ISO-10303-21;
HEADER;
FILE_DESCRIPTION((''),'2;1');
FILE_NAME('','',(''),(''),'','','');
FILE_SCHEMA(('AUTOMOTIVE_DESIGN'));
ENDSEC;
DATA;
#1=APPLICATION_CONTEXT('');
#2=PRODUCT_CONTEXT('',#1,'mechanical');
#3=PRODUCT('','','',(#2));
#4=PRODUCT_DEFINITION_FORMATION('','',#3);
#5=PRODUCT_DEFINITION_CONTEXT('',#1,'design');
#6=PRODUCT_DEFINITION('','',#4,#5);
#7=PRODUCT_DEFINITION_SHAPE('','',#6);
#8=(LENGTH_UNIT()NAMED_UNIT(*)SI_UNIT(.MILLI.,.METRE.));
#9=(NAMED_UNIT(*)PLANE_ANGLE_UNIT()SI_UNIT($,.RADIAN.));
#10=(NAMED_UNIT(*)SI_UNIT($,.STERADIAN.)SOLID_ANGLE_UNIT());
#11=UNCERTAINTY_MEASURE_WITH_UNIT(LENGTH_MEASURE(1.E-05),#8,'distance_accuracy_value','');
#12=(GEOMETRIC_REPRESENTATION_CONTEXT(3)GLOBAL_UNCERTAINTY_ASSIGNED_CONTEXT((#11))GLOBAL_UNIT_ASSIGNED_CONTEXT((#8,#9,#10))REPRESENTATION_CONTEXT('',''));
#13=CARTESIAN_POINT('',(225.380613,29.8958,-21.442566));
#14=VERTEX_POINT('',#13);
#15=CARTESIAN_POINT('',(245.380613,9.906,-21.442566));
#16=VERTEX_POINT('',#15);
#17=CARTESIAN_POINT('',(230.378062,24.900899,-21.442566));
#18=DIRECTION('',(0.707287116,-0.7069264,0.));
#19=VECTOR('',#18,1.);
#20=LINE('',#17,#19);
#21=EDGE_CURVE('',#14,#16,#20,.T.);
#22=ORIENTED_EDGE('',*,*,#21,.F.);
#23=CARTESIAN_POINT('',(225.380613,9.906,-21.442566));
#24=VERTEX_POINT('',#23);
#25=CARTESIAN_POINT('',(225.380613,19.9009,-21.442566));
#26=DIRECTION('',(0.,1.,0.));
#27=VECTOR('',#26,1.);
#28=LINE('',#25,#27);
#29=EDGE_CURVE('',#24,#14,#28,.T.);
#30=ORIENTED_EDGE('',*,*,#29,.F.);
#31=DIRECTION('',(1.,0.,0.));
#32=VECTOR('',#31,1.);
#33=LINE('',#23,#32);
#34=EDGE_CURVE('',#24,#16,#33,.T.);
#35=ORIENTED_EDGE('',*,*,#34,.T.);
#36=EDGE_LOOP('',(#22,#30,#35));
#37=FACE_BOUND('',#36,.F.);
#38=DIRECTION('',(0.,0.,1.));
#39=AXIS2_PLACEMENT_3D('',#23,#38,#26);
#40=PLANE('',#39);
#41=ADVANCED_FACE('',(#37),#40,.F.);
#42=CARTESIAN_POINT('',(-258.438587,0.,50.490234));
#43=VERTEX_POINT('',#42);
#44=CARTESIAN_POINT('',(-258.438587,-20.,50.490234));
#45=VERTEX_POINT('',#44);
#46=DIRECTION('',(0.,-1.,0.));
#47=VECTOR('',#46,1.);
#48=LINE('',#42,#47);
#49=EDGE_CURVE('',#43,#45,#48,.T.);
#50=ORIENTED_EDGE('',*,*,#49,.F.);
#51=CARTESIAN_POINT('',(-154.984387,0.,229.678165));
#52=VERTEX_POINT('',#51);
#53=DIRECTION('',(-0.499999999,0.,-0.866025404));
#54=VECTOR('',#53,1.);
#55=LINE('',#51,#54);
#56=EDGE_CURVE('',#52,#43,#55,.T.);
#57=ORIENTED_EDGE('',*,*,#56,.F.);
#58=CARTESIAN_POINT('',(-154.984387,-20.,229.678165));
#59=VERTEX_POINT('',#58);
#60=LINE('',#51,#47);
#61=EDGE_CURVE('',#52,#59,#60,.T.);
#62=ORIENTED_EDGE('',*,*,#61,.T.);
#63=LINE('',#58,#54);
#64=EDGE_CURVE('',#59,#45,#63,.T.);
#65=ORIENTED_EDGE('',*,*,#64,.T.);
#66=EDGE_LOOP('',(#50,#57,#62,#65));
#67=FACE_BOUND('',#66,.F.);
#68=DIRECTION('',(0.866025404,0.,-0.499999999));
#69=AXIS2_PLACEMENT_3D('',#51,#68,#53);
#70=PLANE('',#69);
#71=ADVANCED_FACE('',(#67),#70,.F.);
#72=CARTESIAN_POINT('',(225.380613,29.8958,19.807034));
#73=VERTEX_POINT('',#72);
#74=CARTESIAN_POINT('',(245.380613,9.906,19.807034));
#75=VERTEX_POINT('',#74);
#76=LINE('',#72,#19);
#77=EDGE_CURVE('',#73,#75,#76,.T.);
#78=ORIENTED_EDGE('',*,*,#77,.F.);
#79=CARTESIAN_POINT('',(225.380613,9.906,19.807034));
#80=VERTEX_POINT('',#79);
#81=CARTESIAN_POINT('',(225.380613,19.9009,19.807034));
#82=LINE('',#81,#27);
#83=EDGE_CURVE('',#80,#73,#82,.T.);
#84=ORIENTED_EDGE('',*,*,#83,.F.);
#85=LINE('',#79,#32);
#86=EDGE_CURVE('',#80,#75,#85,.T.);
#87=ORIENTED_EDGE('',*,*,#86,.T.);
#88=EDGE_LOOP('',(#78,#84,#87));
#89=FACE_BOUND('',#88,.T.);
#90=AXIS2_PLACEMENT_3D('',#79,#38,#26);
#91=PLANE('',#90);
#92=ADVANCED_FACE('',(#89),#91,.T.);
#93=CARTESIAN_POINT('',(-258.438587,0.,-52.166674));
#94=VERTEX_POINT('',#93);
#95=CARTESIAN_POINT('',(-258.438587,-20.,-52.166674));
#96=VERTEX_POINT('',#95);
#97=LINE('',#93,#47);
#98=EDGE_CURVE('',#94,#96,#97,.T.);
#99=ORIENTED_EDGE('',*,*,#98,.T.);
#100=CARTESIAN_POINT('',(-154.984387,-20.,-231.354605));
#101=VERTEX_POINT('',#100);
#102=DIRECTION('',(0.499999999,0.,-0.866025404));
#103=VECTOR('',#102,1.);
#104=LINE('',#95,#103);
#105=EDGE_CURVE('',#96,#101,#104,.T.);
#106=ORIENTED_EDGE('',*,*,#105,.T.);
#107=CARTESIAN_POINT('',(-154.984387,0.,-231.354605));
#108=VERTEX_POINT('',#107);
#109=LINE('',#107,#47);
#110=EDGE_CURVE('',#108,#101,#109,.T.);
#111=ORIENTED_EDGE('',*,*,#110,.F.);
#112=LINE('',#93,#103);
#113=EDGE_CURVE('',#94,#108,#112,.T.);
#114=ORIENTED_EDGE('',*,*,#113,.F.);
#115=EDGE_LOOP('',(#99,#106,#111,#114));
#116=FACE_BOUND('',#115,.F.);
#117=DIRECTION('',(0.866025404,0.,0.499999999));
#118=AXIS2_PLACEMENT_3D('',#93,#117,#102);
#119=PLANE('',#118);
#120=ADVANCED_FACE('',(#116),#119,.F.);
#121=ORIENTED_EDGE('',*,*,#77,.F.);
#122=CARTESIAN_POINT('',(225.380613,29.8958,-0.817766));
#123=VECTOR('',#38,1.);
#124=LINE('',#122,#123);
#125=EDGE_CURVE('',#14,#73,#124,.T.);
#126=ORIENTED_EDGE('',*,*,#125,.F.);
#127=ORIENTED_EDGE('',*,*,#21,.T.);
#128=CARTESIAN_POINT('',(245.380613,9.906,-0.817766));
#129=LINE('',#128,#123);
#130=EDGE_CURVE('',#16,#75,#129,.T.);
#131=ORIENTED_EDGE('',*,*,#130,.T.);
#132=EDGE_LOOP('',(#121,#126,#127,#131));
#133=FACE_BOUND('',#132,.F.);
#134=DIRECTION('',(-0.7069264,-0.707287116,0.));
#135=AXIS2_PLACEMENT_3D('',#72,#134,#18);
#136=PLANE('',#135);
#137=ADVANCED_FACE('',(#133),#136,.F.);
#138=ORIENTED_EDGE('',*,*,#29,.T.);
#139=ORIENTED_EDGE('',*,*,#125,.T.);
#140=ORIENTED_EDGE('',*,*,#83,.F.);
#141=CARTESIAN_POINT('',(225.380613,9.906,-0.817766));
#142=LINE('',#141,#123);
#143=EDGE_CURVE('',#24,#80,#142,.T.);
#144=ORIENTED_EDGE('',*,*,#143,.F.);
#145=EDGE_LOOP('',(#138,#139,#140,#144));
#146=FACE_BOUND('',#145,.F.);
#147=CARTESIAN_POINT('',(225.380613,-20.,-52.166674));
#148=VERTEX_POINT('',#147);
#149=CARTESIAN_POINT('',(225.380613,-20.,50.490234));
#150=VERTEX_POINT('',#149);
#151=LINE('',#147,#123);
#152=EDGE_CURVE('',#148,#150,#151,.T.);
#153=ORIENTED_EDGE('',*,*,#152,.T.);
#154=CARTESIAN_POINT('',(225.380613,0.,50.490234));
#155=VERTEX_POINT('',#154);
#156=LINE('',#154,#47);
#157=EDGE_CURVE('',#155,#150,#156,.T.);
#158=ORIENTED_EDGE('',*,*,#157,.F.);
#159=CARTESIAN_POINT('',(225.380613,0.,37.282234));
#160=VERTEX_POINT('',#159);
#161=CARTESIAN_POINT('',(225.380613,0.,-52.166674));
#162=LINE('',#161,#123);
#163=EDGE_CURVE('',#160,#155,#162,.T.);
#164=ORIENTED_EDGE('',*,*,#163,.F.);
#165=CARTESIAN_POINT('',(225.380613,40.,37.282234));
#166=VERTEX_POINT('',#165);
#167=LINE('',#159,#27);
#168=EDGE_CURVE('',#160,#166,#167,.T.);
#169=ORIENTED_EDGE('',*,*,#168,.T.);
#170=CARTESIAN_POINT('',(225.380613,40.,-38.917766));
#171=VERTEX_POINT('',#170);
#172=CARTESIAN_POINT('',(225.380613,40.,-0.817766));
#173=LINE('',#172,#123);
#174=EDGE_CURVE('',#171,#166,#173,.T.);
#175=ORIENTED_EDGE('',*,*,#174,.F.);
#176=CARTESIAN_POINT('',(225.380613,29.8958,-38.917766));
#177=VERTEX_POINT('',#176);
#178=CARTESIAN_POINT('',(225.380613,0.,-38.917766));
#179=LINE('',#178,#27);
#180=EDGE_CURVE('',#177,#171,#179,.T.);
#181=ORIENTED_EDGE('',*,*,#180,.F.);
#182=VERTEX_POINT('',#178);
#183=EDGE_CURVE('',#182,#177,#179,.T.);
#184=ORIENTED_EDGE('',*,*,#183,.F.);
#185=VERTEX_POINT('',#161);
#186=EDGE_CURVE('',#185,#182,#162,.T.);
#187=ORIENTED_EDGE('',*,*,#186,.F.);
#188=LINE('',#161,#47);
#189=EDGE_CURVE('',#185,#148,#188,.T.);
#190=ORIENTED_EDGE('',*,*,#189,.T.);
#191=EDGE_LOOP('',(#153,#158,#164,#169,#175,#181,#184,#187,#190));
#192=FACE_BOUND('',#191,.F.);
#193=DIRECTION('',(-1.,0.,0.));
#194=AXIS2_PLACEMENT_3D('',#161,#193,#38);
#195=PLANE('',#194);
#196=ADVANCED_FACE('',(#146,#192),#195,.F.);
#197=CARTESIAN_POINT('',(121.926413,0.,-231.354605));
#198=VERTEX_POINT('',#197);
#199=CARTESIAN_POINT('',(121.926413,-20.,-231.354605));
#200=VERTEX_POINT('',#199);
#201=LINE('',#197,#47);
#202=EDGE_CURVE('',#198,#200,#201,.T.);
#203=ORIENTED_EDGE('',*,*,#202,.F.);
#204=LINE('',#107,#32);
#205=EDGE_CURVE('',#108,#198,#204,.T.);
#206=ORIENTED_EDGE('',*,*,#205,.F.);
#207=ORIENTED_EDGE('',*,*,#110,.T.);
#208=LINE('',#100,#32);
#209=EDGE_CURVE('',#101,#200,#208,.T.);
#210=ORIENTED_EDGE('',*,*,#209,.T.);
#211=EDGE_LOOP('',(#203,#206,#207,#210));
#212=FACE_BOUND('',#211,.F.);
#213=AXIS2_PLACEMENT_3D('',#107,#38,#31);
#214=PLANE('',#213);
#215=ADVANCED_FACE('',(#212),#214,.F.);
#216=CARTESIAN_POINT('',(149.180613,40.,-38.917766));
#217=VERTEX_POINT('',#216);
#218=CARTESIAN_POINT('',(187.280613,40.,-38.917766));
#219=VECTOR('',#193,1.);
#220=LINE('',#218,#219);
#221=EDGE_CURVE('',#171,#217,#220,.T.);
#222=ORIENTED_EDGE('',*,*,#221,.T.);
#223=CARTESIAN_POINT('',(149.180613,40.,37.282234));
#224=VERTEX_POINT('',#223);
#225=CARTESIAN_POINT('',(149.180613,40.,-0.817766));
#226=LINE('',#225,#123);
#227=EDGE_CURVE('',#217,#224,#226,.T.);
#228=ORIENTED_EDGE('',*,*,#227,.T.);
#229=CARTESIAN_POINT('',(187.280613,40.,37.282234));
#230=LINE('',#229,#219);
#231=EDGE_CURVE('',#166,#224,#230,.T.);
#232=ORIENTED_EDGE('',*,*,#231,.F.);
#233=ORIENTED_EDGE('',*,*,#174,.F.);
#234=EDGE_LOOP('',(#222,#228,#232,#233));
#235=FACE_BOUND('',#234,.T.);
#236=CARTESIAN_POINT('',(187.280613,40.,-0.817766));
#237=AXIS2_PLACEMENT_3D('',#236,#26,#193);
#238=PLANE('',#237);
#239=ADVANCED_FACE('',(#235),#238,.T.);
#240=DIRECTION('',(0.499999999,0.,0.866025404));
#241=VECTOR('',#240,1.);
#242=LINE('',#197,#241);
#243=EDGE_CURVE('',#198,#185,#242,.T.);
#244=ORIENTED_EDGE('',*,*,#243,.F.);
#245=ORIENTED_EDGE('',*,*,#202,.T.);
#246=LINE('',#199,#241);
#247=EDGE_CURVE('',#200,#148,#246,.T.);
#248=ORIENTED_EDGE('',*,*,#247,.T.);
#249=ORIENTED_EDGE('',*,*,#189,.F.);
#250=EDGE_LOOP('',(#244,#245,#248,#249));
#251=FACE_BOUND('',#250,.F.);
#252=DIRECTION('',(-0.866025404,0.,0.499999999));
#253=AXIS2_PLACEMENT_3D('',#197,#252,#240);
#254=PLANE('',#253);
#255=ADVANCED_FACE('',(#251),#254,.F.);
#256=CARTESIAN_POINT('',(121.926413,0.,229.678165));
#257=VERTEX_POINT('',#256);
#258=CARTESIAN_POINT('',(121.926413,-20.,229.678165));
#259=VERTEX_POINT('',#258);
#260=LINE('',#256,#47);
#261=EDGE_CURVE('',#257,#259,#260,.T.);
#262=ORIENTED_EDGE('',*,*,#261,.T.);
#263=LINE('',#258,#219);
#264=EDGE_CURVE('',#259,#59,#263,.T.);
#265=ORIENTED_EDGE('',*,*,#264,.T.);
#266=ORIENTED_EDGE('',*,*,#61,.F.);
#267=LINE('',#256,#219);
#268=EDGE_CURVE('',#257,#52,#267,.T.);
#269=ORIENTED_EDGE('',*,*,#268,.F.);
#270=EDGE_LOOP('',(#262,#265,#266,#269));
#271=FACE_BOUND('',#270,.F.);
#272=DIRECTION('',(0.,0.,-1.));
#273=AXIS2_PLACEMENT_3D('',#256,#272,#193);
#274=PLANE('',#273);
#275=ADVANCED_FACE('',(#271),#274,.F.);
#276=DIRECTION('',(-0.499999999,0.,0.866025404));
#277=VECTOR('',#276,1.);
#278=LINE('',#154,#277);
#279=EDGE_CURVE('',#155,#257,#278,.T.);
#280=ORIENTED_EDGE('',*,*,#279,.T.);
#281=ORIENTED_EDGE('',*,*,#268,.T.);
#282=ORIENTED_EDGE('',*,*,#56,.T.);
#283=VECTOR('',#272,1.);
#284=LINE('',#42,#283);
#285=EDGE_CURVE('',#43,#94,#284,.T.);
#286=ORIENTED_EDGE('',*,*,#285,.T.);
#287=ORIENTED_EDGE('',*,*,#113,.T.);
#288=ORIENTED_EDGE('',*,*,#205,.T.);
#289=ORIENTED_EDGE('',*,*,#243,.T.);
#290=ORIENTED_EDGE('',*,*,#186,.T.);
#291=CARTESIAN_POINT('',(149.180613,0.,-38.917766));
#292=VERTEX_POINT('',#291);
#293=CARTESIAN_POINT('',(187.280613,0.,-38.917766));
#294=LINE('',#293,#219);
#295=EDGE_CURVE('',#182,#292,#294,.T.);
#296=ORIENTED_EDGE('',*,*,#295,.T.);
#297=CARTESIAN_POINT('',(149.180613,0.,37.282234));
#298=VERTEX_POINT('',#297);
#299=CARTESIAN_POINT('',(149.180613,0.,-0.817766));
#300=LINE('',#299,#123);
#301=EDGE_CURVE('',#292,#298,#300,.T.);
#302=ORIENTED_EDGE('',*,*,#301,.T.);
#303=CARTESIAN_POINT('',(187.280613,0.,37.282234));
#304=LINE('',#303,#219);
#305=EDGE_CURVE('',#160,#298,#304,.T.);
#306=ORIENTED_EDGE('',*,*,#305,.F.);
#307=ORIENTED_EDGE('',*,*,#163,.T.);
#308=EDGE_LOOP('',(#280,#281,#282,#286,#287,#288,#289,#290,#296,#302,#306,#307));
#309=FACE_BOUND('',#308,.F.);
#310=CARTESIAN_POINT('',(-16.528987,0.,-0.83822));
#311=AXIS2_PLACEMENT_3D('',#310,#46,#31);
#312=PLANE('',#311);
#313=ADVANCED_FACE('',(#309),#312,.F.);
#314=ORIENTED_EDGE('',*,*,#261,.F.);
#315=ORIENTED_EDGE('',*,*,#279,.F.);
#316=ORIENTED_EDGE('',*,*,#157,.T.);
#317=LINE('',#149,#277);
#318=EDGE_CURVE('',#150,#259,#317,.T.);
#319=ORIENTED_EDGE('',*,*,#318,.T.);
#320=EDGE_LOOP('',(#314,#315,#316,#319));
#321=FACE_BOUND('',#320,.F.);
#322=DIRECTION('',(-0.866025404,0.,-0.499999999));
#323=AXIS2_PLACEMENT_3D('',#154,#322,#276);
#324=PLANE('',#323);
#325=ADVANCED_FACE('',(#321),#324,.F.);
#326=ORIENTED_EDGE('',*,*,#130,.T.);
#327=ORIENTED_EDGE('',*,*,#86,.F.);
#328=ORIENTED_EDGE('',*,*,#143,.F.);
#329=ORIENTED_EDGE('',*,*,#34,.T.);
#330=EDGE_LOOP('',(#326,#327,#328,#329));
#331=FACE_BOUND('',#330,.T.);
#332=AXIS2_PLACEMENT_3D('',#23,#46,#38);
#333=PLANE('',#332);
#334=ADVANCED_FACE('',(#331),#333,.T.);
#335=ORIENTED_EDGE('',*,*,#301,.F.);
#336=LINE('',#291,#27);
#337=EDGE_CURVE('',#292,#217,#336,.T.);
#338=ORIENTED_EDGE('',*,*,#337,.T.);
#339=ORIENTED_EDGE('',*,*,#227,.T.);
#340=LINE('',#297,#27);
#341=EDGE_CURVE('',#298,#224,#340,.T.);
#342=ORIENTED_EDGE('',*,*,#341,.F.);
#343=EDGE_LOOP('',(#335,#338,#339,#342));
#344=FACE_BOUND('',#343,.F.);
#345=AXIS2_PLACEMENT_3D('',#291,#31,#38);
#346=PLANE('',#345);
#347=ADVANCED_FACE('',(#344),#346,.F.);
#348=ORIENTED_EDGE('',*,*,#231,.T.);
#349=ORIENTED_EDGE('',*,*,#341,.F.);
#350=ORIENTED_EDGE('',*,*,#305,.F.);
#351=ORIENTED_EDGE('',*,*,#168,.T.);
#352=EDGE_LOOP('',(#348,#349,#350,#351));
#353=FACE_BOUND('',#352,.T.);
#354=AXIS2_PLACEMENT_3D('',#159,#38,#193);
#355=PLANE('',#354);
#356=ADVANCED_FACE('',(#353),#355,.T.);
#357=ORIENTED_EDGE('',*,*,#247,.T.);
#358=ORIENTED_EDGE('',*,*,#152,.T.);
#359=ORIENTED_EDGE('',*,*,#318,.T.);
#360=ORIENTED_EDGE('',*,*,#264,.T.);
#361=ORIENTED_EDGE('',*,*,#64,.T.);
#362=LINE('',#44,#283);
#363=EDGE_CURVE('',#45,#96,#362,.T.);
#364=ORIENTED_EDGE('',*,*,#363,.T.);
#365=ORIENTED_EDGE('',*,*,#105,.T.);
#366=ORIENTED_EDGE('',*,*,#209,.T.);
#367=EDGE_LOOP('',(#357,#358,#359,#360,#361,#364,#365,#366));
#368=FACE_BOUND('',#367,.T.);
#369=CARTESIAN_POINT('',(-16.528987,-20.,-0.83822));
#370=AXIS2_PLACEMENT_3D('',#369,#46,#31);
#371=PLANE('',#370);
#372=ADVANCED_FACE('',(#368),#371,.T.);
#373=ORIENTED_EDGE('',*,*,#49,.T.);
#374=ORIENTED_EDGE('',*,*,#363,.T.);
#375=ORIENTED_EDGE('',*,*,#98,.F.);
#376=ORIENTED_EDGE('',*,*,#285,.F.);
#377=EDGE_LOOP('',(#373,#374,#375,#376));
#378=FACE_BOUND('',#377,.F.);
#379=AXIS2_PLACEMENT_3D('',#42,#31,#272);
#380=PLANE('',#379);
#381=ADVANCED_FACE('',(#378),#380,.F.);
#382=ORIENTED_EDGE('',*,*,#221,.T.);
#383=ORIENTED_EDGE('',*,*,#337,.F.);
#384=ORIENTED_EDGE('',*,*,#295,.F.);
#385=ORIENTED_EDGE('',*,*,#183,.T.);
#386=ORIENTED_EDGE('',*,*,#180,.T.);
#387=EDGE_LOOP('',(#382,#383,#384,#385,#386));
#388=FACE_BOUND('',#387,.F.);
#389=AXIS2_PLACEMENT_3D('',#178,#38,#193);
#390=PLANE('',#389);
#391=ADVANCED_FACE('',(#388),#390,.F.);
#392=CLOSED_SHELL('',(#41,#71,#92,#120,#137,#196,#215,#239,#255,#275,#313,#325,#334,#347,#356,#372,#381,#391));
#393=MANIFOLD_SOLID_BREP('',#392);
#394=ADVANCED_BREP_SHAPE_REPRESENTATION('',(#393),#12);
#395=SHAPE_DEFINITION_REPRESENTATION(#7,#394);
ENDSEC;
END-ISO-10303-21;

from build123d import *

# Parameters (mm, degrees)
F1_DEPTH = 20
F2_W     = 76.2
F2_H     = 76.2
F3_DEPTH = 40
F4_W     = 19.9898
F4_H     = 41.2496
F5_DEPTH = 20
F7_DEPTH = 251.162639


with BuildPart() as f1:
    # F0 (on Front) → F1 (new body)
    with BuildSketch(Plane.XZ):
        Polygon((121.926413, 229.678165), (-154.984387, 229.678165), (-258.438587, 50.490234), (-258.438587, -52.166674), (-154.984387, -231.354605), (121.926413, -231.354605), (225.380613, -52.166674), (225.380613, 50.490234), align=None)
    extrude(amount=F1_DEPTH)

    # F2 (on face) → F3 (join)
    with BuildSketch(Plane(origin=(0, 0, 0), x_dir=(-1, 0, 0), z_dir=(0, 1, 0))):
        with Locations((-187.280613, -0.817766)):
            Rectangle(F2_W, F2_H)
    extrude(amount=F3_DEPTH)

    # F4 (on face) → F5 (join)
    with BuildSketch(Plane.YZ.offset(225.380613)):
        with Locations((19.9009, -0.817766)):
            Rectangle(F4_W, F4_H)
    extrude(amount=F5_DEPTH)

    # F6 (on face) → F7 (cut, through all)
    with BuildSketch(Plane.XY.offset(19.807034)):
        Polygon((245.380613, 29.8958), (225.380613, 29.8958), (245.380613, 9.906), align=None)
    extrude(amount=-F7_DEPTH, mode=Mode.SUBTRACT)


solid = f1.part
